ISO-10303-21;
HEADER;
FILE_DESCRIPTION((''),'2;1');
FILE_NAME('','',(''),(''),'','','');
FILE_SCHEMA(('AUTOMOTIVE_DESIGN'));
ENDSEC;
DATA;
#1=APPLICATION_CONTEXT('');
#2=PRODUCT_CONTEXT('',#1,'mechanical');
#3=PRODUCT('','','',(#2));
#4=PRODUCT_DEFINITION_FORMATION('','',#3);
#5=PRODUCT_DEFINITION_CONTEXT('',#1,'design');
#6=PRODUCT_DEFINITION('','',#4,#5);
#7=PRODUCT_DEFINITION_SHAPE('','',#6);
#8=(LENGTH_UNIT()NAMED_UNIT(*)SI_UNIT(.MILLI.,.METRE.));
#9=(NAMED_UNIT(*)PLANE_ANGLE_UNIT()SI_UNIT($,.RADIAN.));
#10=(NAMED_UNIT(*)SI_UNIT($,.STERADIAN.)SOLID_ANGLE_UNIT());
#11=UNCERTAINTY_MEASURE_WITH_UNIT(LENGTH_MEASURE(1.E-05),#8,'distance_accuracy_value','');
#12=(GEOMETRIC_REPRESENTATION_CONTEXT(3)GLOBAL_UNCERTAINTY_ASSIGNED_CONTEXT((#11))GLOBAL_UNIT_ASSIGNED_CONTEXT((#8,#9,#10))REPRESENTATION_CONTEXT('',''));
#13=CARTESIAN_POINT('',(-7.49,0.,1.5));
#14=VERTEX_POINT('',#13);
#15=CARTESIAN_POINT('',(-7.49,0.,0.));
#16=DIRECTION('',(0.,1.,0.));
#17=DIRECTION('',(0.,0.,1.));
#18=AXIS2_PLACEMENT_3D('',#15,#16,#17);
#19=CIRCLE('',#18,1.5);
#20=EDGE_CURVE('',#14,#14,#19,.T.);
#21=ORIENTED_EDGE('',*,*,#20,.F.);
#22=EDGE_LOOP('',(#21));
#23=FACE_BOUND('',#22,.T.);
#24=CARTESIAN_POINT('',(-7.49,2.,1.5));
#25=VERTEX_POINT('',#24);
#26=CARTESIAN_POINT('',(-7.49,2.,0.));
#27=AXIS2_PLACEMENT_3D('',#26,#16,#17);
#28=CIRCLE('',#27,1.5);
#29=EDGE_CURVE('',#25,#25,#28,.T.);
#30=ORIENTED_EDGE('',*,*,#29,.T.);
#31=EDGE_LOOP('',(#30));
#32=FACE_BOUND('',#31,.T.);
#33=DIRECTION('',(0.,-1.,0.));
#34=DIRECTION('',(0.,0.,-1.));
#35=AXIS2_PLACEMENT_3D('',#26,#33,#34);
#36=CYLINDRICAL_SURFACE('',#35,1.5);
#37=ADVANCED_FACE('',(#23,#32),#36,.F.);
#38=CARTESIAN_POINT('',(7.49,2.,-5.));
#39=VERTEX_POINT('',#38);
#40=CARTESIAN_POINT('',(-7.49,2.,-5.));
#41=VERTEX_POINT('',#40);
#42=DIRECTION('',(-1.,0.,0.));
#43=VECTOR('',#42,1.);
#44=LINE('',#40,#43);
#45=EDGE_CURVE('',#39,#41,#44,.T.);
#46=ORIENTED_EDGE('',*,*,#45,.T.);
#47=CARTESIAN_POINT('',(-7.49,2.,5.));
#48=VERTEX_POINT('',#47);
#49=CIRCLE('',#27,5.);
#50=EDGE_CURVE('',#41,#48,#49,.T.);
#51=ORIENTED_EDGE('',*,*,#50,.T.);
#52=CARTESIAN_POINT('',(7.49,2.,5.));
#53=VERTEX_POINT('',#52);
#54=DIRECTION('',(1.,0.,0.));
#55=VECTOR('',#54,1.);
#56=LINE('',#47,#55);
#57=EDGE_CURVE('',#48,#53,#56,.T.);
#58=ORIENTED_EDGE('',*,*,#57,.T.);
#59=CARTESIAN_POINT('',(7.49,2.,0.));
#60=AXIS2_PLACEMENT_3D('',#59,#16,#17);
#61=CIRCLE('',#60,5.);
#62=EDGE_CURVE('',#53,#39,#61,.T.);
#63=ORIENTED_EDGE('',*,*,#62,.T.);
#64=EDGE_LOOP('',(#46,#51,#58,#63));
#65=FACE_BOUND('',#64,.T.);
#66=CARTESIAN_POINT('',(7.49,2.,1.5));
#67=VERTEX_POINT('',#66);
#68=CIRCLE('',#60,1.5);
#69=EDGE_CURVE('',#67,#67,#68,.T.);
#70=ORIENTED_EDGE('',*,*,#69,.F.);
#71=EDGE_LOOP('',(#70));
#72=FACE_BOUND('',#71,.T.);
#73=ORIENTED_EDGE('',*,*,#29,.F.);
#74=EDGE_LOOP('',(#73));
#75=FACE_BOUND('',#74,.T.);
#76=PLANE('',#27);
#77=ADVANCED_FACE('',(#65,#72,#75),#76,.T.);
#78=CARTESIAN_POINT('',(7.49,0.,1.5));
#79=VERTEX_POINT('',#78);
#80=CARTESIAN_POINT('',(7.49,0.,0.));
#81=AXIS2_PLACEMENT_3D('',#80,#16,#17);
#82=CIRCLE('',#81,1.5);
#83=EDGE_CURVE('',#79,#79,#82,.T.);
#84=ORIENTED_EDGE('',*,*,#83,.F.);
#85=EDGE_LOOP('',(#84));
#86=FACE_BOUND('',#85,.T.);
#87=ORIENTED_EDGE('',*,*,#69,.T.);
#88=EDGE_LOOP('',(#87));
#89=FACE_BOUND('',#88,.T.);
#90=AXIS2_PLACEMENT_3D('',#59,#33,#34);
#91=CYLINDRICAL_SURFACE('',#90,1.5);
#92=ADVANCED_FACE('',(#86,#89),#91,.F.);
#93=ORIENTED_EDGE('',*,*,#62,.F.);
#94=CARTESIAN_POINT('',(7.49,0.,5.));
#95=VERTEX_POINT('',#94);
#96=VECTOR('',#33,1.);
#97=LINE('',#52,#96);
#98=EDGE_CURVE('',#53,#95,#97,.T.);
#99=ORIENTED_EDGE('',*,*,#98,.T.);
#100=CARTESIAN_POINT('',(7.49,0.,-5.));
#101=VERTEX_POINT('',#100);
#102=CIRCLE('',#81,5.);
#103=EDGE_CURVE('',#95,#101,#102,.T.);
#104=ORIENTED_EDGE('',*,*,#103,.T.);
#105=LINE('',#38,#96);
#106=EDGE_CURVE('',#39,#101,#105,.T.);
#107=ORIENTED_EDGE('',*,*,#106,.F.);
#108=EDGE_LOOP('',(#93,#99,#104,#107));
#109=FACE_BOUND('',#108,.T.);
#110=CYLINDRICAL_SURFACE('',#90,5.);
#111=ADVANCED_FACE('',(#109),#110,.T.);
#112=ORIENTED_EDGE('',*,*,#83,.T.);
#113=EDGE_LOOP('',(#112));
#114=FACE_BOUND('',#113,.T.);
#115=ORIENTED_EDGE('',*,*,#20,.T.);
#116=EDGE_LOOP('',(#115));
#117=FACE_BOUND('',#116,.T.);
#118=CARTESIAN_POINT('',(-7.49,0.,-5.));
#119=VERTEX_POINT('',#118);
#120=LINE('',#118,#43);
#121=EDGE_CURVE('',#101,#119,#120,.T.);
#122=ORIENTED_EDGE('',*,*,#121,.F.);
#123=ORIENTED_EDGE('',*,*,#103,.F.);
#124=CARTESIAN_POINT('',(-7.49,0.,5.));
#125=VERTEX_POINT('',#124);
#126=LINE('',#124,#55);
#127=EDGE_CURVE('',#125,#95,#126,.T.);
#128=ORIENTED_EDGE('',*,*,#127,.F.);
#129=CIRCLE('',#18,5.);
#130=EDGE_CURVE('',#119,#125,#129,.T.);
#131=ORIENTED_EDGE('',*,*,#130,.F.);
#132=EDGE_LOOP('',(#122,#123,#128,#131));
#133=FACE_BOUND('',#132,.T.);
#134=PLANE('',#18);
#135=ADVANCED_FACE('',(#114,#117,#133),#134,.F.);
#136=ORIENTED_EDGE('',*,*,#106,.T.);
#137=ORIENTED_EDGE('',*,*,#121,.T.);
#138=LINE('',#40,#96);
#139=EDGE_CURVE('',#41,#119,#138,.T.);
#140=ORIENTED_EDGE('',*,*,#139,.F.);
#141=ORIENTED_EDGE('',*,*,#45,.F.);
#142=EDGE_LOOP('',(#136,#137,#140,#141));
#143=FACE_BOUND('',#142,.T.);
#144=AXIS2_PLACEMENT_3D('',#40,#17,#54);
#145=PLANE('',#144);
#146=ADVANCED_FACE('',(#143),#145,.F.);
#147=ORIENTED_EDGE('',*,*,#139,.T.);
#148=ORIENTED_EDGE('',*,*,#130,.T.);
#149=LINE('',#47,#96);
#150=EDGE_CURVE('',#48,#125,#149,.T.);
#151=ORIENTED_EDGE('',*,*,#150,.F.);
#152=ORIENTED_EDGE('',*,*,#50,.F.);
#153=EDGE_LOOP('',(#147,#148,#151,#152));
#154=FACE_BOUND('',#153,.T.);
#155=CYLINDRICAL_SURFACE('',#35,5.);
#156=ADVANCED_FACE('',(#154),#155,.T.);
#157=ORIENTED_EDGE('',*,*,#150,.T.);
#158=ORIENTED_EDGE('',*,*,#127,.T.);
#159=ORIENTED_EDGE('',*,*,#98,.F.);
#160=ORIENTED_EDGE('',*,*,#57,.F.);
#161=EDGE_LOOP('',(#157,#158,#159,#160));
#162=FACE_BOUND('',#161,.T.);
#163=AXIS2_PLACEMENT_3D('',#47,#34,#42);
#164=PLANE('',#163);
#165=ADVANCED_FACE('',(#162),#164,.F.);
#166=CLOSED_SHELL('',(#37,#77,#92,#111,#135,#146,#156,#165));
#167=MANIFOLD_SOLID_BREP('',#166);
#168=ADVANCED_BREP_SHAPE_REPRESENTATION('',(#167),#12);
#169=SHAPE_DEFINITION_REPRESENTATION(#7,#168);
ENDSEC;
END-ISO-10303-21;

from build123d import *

# Parameters (mm, degrees)
SKETCH1_R           = 1.5
BOSS_EXTRUDE1_DEPTH = 2


with BuildPart() as part:
    # Sketch1 → Boss-Extrude1 (new body)
    with BuildSketch(Plane(origin=(0, 0, 0), x_dir=(1, 0, 0), z_dir=(0, 1, 0))):
        with BuildLine():
            Line((-7.49, 5), (7.49, 5))
            ThreePointArc((7.49, 5), (12.49, 0), (7.49, -5))
            Line((7.49, -5), (-7.49, -5))
            ThreePointArc((-7.49, -5), (-12.49, 0), (-7.49, 5))
        make_face()
        with Locations(Location((7.49, 0, 0), (0, 0, 270))):
            Circle(SKETCH1_R, mode=Mode.SUBTRACT)
        with Locations(Location((-7.49, 0, 0), (0, 0, 270))):
            Circle(SKETCH1_R, mode=Mode.SUBTRACT)
    extrude(amount=BOSS_EXTRUDE1_DEPTH)


solid = part.part
